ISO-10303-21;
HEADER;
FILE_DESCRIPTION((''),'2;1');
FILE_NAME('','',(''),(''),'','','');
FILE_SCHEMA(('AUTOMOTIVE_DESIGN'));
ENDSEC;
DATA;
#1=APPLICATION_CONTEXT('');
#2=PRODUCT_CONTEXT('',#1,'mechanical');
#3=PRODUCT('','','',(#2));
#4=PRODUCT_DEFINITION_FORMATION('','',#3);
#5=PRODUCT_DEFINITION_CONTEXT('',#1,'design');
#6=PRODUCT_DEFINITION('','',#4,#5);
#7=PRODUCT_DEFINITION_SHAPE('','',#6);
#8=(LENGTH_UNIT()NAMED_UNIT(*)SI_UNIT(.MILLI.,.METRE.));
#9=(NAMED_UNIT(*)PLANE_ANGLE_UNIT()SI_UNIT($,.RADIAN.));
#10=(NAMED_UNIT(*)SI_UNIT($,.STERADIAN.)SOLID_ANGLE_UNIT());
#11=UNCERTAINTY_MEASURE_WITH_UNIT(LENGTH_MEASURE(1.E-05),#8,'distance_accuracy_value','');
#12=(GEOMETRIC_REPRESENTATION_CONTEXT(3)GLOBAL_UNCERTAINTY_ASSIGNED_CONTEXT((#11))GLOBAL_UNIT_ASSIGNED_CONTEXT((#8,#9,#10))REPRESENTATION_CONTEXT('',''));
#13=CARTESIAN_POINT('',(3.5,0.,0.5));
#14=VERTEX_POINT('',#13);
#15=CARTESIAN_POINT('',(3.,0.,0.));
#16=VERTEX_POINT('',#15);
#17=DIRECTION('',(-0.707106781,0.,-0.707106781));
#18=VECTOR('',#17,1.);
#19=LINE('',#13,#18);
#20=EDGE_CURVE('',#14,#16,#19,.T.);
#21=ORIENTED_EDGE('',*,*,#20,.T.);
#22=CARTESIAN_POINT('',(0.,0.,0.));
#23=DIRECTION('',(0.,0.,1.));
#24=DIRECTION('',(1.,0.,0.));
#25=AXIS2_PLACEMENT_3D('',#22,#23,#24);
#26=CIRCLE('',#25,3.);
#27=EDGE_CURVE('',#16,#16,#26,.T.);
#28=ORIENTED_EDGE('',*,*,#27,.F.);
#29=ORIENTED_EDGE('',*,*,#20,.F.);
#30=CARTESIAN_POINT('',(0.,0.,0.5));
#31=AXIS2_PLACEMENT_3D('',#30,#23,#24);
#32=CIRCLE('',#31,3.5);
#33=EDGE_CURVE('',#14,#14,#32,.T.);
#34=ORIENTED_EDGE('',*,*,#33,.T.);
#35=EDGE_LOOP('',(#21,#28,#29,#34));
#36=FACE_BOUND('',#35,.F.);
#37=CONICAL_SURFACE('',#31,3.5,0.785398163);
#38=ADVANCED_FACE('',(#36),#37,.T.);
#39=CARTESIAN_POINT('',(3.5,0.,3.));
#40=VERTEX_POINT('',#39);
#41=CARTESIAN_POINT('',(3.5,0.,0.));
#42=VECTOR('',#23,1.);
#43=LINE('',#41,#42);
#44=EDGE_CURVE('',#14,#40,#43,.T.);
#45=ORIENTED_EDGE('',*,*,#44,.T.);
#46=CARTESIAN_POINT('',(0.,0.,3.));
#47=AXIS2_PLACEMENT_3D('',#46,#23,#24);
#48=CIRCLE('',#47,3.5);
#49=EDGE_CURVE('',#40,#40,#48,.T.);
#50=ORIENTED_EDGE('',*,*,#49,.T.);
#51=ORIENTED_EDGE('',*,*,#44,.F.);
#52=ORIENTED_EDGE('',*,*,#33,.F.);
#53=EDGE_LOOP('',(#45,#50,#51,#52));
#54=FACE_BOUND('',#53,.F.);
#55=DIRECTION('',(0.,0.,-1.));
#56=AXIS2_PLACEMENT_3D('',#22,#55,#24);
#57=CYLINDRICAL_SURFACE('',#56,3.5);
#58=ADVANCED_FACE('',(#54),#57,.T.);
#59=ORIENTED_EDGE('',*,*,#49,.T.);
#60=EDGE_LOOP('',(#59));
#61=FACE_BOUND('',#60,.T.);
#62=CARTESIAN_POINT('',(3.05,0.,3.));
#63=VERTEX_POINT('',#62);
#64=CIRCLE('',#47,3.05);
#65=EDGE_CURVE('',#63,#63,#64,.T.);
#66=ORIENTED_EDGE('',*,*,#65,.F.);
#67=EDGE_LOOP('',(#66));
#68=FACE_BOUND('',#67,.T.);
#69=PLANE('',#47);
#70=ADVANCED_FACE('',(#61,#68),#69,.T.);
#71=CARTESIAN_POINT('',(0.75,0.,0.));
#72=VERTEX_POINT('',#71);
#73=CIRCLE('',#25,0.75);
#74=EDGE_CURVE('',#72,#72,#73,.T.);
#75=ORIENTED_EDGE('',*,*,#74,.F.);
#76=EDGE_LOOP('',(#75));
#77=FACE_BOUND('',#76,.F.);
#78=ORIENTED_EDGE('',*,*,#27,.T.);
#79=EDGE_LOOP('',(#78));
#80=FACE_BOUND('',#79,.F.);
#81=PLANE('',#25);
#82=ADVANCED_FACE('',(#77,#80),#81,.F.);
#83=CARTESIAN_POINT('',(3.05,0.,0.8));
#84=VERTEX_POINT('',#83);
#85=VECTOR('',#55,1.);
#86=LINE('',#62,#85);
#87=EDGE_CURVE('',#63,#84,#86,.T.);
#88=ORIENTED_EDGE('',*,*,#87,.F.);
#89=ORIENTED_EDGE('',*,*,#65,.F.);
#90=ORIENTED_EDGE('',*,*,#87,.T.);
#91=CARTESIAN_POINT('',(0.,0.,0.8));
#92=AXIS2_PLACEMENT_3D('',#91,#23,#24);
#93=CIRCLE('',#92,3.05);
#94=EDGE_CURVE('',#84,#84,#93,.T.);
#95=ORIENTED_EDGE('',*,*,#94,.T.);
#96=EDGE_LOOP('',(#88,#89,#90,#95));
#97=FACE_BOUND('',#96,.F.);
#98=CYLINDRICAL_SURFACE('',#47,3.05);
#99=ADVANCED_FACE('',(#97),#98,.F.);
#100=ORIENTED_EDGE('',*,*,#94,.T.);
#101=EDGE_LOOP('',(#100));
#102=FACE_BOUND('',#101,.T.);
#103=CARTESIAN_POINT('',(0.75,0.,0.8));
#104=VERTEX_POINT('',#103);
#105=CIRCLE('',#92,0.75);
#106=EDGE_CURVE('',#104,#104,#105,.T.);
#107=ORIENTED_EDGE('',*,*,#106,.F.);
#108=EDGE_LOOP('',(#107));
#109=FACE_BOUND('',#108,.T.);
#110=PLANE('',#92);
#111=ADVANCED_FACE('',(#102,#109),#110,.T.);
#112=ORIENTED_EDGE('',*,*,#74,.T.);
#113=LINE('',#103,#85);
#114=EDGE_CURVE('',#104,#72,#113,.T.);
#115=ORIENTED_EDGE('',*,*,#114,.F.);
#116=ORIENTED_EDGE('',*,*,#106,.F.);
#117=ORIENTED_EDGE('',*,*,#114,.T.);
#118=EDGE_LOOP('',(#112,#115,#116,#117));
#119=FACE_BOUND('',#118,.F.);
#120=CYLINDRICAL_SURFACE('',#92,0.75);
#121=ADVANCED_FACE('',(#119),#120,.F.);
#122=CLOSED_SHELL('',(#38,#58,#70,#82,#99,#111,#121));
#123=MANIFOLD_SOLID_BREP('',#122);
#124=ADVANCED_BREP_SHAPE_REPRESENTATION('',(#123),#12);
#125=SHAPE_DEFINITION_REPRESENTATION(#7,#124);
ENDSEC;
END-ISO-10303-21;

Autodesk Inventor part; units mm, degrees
ref_plane "YZ Plane" through (0, 0, 0) normal (1, 0, 0) x (0, 1, 0)
ref_plane "XZ Plane" through (0, 0, 0) normal (0, 1, 0) x (-1, 0, 0)
ref_plane "XY Plane" through (0, 0, 0) normal (0, 0, 1) x (1, 0, 0)
sketch "Sketch1" plane through (0, 0, 0) normal (0, 0, 1) x (1, 0, 0)
  circle A0 centre (0, 0) radius 3.75 projected
  circle A1 centre (0, 0) radius 3.5
  point P0 (0, 0)
  dimension "d0" = 7
extrude "Extrusion1" add sketch "Sketch1" along normal blind 3 contours A1
sketch "Sketch2" plane through (0, 0, 3) normal (0, 0, 1) x (1, 0, 0)
  circle A0 centre (0, 0) radius 3.05
  dimension "d3" = 6.1
extrude "Extrusion2" cut sketch "Sketch2" against normal blind 2.2
sketch "Sketch3" plane through (0, 0, 0.8) normal (0, 0, 1) x (1, 0, 0)
  circle A0 centre (0, 0) radius 0.75
  dimension "d6" = 1.5
extrude "Extrusion3" cut sketch "Sketch3" against normal blind 2.2
chamfer "Chamfer1" distance 0.5 angle 45 1 edges at (-3.5, 0, 0)
properties part number "ma_holder_1"
